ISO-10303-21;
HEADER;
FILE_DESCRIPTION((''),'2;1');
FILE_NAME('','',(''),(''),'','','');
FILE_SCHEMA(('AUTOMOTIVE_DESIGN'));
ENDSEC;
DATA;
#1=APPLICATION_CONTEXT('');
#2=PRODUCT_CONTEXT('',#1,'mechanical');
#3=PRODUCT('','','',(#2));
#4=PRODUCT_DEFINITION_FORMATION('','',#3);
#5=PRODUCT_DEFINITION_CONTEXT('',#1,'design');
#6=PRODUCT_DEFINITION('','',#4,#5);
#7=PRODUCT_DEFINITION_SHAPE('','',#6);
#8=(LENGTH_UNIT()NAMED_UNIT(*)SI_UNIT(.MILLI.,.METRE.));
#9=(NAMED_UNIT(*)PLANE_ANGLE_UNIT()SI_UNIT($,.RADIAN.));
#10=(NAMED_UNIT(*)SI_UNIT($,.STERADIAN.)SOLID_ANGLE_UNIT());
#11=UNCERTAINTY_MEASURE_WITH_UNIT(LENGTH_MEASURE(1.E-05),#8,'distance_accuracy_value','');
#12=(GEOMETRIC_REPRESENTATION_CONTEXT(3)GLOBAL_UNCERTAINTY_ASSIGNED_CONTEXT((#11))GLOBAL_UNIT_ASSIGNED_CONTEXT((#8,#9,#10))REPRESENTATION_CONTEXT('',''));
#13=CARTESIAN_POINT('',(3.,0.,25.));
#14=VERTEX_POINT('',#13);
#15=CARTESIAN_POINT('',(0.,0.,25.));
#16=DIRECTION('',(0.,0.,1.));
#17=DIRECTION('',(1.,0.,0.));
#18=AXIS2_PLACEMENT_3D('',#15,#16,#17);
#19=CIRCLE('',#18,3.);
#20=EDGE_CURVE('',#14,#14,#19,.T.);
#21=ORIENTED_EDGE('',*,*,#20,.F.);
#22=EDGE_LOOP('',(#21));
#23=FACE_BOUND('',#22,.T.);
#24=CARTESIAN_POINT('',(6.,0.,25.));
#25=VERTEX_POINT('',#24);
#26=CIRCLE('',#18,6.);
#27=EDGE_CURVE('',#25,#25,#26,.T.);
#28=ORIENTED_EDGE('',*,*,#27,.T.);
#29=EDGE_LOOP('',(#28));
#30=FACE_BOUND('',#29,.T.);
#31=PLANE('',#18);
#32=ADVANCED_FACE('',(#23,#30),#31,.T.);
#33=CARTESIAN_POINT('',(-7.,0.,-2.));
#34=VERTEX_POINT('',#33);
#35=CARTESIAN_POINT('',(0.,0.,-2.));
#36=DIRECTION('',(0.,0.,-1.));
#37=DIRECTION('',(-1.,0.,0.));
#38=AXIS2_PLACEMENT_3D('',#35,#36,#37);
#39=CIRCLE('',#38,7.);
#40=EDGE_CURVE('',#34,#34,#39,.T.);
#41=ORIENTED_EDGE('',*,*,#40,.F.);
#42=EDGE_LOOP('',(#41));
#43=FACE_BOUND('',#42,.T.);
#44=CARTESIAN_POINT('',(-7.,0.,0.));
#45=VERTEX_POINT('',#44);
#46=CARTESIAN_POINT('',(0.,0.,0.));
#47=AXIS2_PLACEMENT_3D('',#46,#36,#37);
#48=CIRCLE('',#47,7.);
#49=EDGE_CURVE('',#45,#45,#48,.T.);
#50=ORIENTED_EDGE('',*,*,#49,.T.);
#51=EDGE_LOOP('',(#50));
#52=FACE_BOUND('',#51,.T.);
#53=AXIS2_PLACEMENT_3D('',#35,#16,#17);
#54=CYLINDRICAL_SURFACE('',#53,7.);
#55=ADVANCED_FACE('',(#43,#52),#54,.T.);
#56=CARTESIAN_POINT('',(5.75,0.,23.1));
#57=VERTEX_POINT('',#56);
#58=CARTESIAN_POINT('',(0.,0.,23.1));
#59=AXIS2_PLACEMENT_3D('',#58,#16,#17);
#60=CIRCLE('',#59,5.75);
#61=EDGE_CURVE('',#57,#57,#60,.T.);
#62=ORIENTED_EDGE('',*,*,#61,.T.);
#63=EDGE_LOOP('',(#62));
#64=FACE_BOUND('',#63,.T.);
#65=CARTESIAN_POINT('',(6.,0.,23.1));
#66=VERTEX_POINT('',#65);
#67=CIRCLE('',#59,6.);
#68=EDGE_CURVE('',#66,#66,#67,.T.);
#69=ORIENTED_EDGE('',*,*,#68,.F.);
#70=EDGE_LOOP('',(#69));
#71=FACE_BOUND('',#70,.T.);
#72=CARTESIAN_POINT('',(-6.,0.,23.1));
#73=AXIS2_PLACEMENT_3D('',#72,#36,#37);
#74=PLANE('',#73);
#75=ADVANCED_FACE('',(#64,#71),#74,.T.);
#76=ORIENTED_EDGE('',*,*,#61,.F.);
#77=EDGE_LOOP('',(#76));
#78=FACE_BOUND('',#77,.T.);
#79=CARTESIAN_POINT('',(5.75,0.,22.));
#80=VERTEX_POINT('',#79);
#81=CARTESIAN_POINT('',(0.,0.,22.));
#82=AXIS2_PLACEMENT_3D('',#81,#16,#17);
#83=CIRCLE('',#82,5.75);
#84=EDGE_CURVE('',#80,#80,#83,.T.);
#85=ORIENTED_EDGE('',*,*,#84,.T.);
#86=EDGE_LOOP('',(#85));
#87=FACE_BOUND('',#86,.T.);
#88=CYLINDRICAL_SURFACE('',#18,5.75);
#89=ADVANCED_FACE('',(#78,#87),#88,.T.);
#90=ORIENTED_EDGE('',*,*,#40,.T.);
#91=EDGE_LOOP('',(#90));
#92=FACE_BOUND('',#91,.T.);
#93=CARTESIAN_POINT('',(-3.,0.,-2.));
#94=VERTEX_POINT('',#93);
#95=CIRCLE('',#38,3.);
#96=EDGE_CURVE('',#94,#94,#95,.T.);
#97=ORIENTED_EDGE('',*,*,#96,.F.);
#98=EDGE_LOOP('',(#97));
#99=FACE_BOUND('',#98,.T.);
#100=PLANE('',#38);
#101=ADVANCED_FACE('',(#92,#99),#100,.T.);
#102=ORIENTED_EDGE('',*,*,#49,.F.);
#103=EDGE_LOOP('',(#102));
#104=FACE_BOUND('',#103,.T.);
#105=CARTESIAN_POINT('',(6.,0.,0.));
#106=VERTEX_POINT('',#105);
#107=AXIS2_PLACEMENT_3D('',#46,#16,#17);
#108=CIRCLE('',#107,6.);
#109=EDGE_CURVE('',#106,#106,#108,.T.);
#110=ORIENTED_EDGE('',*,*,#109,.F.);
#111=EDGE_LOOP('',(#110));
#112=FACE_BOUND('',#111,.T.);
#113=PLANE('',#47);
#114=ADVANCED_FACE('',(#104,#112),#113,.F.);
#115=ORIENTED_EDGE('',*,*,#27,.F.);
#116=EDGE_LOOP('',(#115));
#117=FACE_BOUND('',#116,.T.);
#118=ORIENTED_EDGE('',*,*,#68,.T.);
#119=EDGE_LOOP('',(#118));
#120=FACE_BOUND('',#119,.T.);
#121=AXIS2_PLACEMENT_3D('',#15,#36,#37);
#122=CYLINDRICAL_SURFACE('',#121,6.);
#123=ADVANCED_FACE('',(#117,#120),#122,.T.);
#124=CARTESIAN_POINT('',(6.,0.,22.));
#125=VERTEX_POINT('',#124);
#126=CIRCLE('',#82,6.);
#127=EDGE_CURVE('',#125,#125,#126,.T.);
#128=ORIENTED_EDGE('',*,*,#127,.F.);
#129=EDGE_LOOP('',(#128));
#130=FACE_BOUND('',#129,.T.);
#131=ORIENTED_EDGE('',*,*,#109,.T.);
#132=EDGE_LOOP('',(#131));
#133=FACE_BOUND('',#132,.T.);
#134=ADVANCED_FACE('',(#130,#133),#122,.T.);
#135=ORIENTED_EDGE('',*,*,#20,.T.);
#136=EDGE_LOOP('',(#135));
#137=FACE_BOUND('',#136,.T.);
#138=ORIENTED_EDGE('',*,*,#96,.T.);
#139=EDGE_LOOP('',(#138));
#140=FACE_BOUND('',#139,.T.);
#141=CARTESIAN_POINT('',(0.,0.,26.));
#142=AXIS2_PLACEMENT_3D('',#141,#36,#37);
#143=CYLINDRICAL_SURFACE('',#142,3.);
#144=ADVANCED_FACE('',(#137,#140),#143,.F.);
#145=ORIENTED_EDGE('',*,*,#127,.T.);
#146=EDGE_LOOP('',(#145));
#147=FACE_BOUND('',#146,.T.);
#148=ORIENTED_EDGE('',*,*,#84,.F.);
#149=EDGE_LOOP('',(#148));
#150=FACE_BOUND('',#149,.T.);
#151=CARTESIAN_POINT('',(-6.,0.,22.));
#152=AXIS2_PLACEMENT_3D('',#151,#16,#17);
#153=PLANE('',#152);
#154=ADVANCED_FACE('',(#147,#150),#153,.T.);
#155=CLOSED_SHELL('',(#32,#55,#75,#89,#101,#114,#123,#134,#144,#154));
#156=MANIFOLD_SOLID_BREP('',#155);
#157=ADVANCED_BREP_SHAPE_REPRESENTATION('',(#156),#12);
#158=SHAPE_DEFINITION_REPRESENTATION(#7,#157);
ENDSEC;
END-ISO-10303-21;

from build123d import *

# Parameters (mm, degrees)
SKETCH_1_R          = 6
EXTRUDE_1_DEPTH     = 25
SKETCH_2_R          = 7
EXTRUDE_2_DEPTH     = 2
SKETCH_3_W          = 0.25
SKETCH_3_H          = 1.1
SKETCH_4_R          = 3
CUT_EXTRUDE_1_DEPTH = 28


with BuildPart() as part:
    # 草图1 → 凸台-拉伸1 (new body)
    with BuildSketch(Plane.XY):
        Circle(SKETCH_1_R)
    extrude(amount=EXTRUDE_1_DEPTH)

    # 草图2 → 凸台-拉伸2 (add)
    with BuildSketch(Plane(origin=(0, 0, 0), x_dir=(-1, 0, 0), z_dir=(0, 0, -1))):
        Circle(SKETCH_2_R)
    extrude(amount=EXTRUDE_2_DEPTH)

    # 草图3 → 切除-旋转1 (revolve, cut)
    with BuildSketch(Plane(origin=(0, 0, 0), x_dir=(1, 0, 0), z_dir=(0, 1, 0)), mode=Mode.PRIVATE) as cut_revolve_1_sk:
        with Locations((-5.875, -22.55)):
            Rectangle(SKETCH_3_W, SKETCH_3_H)
    revolve(cut_revolve_1_sk.sketch.rotate(Axis((0, 0, 25), (0, 0, -1)), 180), axis=Axis((0, 0, 25), (0, 0, -1)), mode=Mode.SUBTRACT)

    # 草图4 → 切除-拉伸1 (cut)
    with BuildSketch(Plane(origin=(0, 0, -2), x_dir=(-1, 0, 0), z_dir=(0, 0, -1))):
        Circle(SKETCH_4_R)
    extrude(amount=-CUT_EXTRUDE_1_DEPTH, mode=Mode.SUBTRACT)


solid = part.part
